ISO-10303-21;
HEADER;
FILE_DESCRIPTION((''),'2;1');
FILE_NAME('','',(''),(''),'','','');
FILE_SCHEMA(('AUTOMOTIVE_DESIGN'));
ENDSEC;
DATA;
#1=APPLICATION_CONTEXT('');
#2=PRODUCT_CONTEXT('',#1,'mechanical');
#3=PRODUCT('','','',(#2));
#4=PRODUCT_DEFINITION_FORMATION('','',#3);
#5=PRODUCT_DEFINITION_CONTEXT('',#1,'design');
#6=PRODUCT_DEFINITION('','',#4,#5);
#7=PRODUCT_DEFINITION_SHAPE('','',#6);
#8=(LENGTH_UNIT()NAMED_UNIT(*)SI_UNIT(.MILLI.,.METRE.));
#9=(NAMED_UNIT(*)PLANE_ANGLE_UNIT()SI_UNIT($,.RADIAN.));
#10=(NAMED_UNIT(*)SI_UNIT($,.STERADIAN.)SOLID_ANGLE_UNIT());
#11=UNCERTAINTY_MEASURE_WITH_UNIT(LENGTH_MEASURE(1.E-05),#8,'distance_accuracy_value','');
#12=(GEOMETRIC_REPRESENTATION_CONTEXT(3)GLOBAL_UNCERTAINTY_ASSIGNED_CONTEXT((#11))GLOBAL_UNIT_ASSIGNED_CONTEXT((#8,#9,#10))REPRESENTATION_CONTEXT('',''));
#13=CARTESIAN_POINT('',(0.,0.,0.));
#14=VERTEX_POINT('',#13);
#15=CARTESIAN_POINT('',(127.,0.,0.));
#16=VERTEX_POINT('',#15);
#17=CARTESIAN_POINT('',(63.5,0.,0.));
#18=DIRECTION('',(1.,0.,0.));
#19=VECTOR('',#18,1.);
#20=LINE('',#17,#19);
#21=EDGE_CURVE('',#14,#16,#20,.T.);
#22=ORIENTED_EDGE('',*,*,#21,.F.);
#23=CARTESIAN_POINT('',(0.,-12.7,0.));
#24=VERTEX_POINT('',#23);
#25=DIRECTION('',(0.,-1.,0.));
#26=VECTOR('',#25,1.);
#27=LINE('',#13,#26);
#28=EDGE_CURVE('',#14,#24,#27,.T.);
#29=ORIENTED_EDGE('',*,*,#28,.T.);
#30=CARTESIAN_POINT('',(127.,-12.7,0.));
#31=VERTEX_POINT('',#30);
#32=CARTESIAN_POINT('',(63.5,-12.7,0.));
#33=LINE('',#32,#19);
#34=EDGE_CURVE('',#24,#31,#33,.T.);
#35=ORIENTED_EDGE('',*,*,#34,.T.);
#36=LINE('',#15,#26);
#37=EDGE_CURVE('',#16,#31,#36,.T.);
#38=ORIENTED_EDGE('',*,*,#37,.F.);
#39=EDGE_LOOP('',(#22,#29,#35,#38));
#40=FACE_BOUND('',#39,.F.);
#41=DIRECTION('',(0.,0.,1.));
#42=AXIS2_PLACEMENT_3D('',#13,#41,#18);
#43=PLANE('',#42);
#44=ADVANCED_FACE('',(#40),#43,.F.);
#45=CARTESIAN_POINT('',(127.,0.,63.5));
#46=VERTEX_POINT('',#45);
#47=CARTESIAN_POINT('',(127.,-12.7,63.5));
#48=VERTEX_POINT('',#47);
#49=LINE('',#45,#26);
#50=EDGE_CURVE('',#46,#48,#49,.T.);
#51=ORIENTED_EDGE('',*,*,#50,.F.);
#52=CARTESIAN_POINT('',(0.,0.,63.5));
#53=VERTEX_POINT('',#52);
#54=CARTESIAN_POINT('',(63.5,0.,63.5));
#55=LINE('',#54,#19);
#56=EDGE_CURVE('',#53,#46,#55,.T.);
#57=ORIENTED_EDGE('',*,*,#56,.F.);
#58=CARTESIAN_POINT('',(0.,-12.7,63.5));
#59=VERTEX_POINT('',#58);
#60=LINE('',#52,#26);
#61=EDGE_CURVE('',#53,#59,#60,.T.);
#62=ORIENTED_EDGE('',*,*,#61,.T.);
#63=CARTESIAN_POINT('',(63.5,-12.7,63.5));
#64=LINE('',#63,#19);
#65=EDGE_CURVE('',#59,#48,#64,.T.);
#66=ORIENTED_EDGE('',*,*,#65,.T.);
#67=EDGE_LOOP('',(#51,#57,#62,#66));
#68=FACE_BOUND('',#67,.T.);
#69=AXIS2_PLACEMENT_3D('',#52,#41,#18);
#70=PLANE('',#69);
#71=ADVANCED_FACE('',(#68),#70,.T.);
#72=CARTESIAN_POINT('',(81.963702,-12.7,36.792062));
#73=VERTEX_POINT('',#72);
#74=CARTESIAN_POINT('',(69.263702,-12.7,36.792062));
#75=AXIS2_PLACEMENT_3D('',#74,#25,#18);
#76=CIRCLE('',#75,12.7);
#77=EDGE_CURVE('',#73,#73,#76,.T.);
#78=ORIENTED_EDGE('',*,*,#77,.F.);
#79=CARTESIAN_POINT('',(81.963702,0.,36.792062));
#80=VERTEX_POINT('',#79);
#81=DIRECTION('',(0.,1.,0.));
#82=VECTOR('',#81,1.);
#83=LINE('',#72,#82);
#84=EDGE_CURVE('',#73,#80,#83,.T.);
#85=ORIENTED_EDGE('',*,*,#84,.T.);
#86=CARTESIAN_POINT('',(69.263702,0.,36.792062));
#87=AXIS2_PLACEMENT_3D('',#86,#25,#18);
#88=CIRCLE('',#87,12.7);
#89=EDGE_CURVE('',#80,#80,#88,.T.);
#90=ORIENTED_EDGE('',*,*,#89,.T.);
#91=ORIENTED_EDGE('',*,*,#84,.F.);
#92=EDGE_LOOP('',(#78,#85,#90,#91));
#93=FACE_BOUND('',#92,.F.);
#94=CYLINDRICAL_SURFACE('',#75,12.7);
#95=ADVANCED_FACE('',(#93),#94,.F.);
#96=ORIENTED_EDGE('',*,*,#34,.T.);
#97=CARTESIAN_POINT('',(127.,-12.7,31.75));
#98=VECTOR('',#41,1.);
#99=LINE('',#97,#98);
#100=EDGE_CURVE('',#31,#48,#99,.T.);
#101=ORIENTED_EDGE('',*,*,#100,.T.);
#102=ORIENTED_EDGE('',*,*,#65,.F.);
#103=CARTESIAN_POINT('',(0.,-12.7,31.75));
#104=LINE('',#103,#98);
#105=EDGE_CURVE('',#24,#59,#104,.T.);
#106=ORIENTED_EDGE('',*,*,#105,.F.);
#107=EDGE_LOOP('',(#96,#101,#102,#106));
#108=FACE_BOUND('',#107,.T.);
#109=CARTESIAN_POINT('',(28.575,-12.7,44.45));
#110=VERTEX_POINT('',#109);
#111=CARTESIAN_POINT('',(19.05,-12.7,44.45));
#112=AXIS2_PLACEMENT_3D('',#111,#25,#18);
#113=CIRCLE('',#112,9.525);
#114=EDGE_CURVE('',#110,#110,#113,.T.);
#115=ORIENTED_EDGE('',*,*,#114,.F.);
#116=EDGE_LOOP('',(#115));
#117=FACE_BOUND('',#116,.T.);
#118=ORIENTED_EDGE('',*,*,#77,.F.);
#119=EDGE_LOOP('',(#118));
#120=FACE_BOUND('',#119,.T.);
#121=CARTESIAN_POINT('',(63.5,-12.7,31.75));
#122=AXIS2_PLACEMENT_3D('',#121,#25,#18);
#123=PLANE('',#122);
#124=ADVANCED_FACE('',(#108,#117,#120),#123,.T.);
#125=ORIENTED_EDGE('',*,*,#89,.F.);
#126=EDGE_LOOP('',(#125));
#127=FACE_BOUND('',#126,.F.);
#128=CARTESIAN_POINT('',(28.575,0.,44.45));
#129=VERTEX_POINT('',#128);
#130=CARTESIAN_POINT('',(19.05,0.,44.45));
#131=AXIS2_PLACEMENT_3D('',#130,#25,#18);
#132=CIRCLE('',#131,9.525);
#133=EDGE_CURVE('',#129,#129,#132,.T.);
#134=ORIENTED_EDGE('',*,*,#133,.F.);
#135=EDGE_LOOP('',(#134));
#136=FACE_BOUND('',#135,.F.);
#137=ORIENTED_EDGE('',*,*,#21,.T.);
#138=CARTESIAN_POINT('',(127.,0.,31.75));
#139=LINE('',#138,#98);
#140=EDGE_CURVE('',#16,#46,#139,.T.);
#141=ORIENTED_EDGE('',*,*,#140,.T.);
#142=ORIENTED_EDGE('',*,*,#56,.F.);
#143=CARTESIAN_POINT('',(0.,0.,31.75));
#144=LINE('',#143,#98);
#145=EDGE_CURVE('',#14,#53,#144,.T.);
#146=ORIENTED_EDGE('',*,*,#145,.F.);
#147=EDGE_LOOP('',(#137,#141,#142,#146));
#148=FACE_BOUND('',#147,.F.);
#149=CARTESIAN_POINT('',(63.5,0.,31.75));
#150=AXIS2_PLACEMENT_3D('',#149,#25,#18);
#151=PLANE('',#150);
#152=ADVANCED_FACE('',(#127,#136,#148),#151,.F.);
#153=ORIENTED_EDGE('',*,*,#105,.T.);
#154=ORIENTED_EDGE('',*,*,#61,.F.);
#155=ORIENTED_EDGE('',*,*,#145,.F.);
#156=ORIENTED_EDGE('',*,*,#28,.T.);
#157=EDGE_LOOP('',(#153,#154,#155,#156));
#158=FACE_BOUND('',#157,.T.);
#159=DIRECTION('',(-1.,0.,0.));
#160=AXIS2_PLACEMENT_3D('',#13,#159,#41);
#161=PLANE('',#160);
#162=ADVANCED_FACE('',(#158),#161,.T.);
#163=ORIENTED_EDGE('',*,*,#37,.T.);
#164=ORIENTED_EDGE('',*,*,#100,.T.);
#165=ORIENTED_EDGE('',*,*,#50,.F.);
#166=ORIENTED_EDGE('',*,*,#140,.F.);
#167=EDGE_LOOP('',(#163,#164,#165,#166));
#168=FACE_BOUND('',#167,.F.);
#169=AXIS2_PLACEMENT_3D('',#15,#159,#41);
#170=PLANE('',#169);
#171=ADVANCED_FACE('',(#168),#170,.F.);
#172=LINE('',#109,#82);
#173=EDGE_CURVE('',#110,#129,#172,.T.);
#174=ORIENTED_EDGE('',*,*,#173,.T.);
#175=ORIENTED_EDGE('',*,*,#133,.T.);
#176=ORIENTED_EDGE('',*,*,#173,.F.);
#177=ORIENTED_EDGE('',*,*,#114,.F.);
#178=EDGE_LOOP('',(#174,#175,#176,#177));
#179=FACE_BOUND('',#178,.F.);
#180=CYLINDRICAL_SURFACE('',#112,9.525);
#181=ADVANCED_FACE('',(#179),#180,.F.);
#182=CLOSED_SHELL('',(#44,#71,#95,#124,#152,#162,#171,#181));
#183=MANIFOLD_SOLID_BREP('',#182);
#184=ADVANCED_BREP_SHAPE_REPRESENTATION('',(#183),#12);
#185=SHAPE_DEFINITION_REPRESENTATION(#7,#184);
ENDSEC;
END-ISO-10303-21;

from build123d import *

# Parameters (mm, degrees)
F0_W     = 127
F0_H     = 63.5
F1_DEPTH = 12.7
F2_R     = 9.525
F2_R_2   = 12.7
F3_DEPTH = 12.701


with BuildPart() as f1:
    # F0 (on Front) → F1 (new body)
    with BuildSketch(Plane.XZ):
        with Locations((63.5, 31.75)):
            Rectangle(F0_W, F0_H)
    extrude(amount=F1_DEPTH)

    # F2 (on face) → F3 (cut, through all)
    with BuildSketch(Plane.XZ.offset(12.7)):
        with Locations((19.05, 44.45)):
            Circle(F2_R)
        with Locations((69.263702, 36.792062)):
            Circle(F2_R_2)
    extrude(amount=-F3_DEPTH, mode=Mode.SUBTRACT)


solid = f1.part
